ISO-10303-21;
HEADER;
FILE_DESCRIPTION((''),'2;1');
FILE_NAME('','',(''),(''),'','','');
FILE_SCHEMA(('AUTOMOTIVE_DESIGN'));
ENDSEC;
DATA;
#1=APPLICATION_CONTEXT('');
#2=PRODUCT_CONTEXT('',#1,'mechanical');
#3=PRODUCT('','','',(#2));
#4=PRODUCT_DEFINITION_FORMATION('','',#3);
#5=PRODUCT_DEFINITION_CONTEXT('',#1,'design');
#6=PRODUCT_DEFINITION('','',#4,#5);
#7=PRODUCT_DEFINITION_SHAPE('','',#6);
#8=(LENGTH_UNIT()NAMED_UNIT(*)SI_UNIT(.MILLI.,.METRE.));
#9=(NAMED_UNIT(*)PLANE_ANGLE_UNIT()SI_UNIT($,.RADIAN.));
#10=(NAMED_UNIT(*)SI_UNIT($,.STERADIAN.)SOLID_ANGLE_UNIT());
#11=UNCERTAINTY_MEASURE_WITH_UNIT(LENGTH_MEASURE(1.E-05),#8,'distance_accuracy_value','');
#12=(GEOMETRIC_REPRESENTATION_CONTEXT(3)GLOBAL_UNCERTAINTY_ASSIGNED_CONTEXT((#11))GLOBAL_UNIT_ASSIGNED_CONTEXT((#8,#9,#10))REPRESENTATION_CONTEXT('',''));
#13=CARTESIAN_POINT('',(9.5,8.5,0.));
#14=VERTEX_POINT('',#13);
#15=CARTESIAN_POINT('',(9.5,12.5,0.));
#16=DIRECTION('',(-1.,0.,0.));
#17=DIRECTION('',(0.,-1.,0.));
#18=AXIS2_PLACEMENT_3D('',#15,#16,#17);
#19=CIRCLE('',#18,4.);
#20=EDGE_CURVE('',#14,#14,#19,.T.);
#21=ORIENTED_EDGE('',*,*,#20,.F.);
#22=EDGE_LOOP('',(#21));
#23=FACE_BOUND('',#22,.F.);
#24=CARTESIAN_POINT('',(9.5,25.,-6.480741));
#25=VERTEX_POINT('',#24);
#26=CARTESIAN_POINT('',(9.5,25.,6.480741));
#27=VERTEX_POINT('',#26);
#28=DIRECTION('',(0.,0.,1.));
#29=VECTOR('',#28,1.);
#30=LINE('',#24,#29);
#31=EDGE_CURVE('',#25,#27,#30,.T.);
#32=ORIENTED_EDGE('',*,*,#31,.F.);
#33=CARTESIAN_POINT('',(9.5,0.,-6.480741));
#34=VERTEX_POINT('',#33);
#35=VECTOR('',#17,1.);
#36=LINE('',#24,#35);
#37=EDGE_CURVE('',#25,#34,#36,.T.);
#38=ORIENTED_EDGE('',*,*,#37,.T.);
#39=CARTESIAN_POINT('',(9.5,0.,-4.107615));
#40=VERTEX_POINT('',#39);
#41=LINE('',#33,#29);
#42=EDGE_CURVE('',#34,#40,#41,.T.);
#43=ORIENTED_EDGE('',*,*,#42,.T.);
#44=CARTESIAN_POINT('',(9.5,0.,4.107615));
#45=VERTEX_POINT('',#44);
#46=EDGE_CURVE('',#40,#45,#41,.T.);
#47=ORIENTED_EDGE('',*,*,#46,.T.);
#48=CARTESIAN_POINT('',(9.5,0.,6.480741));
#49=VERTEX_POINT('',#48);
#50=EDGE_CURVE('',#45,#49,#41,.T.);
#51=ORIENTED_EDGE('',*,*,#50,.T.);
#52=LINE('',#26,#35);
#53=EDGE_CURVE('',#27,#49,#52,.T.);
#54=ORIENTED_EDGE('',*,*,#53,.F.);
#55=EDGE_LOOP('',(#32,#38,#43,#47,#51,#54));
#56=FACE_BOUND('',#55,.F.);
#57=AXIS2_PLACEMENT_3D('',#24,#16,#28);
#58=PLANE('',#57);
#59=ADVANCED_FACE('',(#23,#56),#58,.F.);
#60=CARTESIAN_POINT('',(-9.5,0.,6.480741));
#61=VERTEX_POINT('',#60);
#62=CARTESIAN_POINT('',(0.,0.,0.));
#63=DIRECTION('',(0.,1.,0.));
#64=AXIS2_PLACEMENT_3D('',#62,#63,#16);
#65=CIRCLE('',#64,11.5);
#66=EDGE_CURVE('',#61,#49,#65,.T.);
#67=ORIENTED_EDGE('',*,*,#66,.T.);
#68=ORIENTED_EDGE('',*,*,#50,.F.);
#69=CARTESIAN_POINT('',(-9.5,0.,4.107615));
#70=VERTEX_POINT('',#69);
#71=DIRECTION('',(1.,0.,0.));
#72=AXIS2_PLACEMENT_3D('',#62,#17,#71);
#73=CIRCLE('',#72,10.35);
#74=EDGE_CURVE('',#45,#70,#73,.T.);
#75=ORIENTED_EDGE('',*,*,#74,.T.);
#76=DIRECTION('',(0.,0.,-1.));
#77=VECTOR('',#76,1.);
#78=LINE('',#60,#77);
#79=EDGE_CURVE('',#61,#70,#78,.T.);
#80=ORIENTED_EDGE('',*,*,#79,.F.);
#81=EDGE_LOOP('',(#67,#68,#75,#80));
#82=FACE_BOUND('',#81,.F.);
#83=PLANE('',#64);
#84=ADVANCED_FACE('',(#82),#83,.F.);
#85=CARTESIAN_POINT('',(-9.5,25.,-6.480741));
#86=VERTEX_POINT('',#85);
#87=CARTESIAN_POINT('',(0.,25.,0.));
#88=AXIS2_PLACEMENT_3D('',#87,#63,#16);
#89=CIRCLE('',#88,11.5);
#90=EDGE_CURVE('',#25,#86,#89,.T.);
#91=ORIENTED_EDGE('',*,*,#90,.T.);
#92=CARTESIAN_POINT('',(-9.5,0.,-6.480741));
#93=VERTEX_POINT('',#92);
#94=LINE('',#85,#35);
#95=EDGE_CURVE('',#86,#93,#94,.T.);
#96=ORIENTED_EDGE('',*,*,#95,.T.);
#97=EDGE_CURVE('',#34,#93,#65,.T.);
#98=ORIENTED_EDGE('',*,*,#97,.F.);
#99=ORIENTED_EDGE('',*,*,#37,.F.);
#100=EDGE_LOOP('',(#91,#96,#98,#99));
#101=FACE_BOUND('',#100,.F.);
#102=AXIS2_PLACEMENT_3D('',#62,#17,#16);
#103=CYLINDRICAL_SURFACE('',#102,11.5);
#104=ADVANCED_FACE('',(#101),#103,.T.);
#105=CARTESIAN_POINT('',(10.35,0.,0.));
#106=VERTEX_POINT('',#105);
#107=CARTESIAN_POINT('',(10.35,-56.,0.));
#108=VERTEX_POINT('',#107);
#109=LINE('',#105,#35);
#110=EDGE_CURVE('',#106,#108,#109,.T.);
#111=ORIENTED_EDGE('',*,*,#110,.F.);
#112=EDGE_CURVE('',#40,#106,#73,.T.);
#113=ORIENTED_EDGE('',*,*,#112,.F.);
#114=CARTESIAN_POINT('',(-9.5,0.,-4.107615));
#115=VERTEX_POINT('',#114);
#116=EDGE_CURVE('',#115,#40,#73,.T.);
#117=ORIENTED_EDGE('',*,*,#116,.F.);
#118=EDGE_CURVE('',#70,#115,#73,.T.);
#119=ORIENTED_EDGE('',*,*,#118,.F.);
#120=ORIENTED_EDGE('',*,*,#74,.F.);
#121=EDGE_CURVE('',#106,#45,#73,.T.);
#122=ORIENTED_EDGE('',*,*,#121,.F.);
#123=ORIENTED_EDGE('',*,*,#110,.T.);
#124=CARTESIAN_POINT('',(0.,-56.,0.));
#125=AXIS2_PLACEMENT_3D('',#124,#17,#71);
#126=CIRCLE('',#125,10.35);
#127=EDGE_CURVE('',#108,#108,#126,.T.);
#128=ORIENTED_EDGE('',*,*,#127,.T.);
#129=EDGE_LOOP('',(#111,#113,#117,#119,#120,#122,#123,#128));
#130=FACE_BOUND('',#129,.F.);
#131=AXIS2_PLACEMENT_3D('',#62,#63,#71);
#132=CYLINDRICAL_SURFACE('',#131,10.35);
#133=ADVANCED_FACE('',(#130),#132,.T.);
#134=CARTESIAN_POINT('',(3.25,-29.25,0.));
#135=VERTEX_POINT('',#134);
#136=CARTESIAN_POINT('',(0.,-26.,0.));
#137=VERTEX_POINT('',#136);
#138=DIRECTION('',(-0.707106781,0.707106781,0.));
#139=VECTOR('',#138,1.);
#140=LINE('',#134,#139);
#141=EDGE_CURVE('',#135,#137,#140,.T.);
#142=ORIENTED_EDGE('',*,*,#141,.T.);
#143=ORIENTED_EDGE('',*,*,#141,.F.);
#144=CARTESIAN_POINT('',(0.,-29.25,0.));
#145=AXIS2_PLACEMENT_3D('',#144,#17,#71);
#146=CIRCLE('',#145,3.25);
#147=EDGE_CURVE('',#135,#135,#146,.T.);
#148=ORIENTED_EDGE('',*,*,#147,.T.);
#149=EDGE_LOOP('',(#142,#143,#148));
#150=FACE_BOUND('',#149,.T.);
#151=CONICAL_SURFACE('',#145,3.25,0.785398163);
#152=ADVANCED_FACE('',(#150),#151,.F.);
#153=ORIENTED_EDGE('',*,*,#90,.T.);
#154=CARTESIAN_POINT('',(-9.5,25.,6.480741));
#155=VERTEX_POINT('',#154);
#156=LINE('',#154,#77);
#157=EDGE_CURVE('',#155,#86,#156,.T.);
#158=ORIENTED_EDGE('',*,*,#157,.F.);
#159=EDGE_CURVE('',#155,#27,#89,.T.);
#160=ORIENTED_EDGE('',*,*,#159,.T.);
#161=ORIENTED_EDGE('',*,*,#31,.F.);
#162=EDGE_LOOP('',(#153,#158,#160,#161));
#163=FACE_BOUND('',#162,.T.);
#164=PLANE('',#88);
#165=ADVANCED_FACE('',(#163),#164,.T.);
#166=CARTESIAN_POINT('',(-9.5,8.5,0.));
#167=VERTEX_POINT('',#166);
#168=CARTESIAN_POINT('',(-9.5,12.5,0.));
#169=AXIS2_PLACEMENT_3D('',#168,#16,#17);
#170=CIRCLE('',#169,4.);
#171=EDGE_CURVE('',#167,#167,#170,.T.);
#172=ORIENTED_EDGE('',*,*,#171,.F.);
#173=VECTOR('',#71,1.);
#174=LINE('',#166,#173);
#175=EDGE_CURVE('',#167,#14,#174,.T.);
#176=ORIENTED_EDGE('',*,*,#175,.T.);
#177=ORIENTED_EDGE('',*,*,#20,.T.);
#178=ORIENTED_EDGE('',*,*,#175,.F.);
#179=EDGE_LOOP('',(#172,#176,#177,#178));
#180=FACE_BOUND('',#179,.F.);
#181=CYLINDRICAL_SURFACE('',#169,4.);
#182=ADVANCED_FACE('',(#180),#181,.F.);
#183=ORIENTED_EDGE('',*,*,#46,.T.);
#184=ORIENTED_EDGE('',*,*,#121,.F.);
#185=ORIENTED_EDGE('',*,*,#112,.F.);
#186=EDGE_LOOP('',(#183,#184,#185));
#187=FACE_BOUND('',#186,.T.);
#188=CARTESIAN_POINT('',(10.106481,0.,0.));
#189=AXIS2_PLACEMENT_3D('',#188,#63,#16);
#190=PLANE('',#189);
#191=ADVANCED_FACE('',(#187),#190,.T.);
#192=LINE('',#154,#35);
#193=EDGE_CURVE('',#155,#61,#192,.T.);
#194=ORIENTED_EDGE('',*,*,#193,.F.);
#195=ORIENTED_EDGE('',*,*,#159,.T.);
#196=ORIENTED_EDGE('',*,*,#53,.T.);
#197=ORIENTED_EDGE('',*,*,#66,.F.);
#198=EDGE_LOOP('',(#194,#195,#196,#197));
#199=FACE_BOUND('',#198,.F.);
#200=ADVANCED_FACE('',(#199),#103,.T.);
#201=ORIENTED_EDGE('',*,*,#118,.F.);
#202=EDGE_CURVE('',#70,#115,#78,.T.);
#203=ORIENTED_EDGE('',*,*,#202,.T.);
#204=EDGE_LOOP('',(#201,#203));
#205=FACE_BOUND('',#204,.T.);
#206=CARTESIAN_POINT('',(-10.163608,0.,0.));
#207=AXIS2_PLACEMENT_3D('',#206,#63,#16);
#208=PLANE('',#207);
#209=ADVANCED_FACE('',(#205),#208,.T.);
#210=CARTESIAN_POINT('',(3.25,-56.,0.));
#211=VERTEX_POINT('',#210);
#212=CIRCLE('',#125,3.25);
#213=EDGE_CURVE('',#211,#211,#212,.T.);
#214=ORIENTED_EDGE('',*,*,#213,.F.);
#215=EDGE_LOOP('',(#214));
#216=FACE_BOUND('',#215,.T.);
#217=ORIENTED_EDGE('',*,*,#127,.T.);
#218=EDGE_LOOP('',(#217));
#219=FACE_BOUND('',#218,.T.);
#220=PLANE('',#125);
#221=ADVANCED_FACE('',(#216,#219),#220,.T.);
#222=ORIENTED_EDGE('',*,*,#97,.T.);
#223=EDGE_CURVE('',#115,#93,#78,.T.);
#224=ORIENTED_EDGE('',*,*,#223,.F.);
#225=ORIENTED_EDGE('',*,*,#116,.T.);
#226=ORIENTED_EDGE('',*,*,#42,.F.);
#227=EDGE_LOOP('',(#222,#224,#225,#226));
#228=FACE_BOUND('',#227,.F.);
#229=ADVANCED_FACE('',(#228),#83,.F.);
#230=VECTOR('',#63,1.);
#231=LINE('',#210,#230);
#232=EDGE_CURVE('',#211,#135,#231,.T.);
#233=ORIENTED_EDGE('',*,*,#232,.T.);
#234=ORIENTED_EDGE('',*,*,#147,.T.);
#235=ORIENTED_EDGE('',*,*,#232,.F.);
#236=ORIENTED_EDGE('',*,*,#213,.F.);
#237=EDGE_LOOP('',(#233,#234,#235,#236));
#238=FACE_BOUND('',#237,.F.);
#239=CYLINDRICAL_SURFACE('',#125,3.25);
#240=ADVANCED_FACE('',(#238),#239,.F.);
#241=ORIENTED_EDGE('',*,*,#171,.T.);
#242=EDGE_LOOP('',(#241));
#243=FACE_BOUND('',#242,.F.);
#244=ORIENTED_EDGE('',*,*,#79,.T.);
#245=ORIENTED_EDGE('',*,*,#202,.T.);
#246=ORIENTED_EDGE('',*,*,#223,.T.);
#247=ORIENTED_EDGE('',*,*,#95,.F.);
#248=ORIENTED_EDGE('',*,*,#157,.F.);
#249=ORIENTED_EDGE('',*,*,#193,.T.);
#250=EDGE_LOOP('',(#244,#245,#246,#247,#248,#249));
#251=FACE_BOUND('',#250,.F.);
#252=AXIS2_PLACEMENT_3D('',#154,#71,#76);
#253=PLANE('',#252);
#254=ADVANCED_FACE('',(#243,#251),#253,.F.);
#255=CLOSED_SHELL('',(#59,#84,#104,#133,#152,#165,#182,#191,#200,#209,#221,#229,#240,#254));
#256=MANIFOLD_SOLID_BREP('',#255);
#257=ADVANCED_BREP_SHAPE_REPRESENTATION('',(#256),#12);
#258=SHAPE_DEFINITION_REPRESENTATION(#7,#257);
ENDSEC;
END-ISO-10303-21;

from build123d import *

# Parameters (mm, degrees)
F0_R     = 10.35
F1_DEPTH = 56
F2_R     = 11.5
F3_DEPTH = 25
F5_DEPTH = 25
F6_R     = 4
F7_DEPTH = 25
F8_R     = 3.25
F9_DEPTH = 30
F10_SIZE = 3.25


with BuildPart() as f1:
    # F0 (on Front) → F1 (new body)
    with BuildSketch(Plane.XZ):
        Circle(F0_R)
    extrude(amount=F1_DEPTH)

    # F2 (on face) → F3 (join)
    with BuildSketch(Plane(origin=(0, 0, 0), x_dir=(-1, 0, 0), z_dir=(0, 1, 0))):
        Circle(F2_R)
    extrude(amount=F3_DEPTH)

    # F4 (on face) → F5 (cut, through all)
    with BuildSketch(Plane(origin=(0, 25, 0), x_dir=(-1, 0, 0), z_dir=(0, 1, 0))):
        with BuildLine():
            Line((-9.5, -6.4807406984), (-9.5, 6.4807406984))
            ThreePointArc((-9.5, 6.4807406984), (-11.5, 0), (-9.5, -6.4807406984))
        make_face()
        with BuildLine():
            ThreePointArc((11.5, 0), (10.9886304879, 3.3911649916), (9.5, 6.4807406984))
            Line((9.5, 6.4807406984), (9.5, -6.4807406984))
            ThreePointArc((9.5, -6.4807406984), (10.9886304879, -3.3911649916), (11.5, 0))
        make_face()
    extrude(amount=-F5_DEPTH, mode=Mode.SUBTRACT)

    # F6 (on face) → F7 (cut)
    with BuildSketch(Plane(origin=(-9.5, 0, 0), x_dir=(0, -1, 0), z_dir=(-1, 0, 0))):
        with Locations((-12.5, 0)):
            Circle(F6_R)
    extrude(amount=-F7_DEPTH, mode=Mode.SUBTRACT)

    # F8 (on face) → F9 (cut)
    with BuildSketch(Plane.XZ.offset(56)):
        Circle(F8_R)
    extrude(amount=-F9_DEPTH, mode=Mode.SUBTRACT)

    # F10
    f10_edges = [f1.edges().sort_by_distance(p)[0] for p in [
        (-3.25, -26, 0),
    ]]
    chamfer(f10_edges, length=F10_SIZE)


solid = f1.part
